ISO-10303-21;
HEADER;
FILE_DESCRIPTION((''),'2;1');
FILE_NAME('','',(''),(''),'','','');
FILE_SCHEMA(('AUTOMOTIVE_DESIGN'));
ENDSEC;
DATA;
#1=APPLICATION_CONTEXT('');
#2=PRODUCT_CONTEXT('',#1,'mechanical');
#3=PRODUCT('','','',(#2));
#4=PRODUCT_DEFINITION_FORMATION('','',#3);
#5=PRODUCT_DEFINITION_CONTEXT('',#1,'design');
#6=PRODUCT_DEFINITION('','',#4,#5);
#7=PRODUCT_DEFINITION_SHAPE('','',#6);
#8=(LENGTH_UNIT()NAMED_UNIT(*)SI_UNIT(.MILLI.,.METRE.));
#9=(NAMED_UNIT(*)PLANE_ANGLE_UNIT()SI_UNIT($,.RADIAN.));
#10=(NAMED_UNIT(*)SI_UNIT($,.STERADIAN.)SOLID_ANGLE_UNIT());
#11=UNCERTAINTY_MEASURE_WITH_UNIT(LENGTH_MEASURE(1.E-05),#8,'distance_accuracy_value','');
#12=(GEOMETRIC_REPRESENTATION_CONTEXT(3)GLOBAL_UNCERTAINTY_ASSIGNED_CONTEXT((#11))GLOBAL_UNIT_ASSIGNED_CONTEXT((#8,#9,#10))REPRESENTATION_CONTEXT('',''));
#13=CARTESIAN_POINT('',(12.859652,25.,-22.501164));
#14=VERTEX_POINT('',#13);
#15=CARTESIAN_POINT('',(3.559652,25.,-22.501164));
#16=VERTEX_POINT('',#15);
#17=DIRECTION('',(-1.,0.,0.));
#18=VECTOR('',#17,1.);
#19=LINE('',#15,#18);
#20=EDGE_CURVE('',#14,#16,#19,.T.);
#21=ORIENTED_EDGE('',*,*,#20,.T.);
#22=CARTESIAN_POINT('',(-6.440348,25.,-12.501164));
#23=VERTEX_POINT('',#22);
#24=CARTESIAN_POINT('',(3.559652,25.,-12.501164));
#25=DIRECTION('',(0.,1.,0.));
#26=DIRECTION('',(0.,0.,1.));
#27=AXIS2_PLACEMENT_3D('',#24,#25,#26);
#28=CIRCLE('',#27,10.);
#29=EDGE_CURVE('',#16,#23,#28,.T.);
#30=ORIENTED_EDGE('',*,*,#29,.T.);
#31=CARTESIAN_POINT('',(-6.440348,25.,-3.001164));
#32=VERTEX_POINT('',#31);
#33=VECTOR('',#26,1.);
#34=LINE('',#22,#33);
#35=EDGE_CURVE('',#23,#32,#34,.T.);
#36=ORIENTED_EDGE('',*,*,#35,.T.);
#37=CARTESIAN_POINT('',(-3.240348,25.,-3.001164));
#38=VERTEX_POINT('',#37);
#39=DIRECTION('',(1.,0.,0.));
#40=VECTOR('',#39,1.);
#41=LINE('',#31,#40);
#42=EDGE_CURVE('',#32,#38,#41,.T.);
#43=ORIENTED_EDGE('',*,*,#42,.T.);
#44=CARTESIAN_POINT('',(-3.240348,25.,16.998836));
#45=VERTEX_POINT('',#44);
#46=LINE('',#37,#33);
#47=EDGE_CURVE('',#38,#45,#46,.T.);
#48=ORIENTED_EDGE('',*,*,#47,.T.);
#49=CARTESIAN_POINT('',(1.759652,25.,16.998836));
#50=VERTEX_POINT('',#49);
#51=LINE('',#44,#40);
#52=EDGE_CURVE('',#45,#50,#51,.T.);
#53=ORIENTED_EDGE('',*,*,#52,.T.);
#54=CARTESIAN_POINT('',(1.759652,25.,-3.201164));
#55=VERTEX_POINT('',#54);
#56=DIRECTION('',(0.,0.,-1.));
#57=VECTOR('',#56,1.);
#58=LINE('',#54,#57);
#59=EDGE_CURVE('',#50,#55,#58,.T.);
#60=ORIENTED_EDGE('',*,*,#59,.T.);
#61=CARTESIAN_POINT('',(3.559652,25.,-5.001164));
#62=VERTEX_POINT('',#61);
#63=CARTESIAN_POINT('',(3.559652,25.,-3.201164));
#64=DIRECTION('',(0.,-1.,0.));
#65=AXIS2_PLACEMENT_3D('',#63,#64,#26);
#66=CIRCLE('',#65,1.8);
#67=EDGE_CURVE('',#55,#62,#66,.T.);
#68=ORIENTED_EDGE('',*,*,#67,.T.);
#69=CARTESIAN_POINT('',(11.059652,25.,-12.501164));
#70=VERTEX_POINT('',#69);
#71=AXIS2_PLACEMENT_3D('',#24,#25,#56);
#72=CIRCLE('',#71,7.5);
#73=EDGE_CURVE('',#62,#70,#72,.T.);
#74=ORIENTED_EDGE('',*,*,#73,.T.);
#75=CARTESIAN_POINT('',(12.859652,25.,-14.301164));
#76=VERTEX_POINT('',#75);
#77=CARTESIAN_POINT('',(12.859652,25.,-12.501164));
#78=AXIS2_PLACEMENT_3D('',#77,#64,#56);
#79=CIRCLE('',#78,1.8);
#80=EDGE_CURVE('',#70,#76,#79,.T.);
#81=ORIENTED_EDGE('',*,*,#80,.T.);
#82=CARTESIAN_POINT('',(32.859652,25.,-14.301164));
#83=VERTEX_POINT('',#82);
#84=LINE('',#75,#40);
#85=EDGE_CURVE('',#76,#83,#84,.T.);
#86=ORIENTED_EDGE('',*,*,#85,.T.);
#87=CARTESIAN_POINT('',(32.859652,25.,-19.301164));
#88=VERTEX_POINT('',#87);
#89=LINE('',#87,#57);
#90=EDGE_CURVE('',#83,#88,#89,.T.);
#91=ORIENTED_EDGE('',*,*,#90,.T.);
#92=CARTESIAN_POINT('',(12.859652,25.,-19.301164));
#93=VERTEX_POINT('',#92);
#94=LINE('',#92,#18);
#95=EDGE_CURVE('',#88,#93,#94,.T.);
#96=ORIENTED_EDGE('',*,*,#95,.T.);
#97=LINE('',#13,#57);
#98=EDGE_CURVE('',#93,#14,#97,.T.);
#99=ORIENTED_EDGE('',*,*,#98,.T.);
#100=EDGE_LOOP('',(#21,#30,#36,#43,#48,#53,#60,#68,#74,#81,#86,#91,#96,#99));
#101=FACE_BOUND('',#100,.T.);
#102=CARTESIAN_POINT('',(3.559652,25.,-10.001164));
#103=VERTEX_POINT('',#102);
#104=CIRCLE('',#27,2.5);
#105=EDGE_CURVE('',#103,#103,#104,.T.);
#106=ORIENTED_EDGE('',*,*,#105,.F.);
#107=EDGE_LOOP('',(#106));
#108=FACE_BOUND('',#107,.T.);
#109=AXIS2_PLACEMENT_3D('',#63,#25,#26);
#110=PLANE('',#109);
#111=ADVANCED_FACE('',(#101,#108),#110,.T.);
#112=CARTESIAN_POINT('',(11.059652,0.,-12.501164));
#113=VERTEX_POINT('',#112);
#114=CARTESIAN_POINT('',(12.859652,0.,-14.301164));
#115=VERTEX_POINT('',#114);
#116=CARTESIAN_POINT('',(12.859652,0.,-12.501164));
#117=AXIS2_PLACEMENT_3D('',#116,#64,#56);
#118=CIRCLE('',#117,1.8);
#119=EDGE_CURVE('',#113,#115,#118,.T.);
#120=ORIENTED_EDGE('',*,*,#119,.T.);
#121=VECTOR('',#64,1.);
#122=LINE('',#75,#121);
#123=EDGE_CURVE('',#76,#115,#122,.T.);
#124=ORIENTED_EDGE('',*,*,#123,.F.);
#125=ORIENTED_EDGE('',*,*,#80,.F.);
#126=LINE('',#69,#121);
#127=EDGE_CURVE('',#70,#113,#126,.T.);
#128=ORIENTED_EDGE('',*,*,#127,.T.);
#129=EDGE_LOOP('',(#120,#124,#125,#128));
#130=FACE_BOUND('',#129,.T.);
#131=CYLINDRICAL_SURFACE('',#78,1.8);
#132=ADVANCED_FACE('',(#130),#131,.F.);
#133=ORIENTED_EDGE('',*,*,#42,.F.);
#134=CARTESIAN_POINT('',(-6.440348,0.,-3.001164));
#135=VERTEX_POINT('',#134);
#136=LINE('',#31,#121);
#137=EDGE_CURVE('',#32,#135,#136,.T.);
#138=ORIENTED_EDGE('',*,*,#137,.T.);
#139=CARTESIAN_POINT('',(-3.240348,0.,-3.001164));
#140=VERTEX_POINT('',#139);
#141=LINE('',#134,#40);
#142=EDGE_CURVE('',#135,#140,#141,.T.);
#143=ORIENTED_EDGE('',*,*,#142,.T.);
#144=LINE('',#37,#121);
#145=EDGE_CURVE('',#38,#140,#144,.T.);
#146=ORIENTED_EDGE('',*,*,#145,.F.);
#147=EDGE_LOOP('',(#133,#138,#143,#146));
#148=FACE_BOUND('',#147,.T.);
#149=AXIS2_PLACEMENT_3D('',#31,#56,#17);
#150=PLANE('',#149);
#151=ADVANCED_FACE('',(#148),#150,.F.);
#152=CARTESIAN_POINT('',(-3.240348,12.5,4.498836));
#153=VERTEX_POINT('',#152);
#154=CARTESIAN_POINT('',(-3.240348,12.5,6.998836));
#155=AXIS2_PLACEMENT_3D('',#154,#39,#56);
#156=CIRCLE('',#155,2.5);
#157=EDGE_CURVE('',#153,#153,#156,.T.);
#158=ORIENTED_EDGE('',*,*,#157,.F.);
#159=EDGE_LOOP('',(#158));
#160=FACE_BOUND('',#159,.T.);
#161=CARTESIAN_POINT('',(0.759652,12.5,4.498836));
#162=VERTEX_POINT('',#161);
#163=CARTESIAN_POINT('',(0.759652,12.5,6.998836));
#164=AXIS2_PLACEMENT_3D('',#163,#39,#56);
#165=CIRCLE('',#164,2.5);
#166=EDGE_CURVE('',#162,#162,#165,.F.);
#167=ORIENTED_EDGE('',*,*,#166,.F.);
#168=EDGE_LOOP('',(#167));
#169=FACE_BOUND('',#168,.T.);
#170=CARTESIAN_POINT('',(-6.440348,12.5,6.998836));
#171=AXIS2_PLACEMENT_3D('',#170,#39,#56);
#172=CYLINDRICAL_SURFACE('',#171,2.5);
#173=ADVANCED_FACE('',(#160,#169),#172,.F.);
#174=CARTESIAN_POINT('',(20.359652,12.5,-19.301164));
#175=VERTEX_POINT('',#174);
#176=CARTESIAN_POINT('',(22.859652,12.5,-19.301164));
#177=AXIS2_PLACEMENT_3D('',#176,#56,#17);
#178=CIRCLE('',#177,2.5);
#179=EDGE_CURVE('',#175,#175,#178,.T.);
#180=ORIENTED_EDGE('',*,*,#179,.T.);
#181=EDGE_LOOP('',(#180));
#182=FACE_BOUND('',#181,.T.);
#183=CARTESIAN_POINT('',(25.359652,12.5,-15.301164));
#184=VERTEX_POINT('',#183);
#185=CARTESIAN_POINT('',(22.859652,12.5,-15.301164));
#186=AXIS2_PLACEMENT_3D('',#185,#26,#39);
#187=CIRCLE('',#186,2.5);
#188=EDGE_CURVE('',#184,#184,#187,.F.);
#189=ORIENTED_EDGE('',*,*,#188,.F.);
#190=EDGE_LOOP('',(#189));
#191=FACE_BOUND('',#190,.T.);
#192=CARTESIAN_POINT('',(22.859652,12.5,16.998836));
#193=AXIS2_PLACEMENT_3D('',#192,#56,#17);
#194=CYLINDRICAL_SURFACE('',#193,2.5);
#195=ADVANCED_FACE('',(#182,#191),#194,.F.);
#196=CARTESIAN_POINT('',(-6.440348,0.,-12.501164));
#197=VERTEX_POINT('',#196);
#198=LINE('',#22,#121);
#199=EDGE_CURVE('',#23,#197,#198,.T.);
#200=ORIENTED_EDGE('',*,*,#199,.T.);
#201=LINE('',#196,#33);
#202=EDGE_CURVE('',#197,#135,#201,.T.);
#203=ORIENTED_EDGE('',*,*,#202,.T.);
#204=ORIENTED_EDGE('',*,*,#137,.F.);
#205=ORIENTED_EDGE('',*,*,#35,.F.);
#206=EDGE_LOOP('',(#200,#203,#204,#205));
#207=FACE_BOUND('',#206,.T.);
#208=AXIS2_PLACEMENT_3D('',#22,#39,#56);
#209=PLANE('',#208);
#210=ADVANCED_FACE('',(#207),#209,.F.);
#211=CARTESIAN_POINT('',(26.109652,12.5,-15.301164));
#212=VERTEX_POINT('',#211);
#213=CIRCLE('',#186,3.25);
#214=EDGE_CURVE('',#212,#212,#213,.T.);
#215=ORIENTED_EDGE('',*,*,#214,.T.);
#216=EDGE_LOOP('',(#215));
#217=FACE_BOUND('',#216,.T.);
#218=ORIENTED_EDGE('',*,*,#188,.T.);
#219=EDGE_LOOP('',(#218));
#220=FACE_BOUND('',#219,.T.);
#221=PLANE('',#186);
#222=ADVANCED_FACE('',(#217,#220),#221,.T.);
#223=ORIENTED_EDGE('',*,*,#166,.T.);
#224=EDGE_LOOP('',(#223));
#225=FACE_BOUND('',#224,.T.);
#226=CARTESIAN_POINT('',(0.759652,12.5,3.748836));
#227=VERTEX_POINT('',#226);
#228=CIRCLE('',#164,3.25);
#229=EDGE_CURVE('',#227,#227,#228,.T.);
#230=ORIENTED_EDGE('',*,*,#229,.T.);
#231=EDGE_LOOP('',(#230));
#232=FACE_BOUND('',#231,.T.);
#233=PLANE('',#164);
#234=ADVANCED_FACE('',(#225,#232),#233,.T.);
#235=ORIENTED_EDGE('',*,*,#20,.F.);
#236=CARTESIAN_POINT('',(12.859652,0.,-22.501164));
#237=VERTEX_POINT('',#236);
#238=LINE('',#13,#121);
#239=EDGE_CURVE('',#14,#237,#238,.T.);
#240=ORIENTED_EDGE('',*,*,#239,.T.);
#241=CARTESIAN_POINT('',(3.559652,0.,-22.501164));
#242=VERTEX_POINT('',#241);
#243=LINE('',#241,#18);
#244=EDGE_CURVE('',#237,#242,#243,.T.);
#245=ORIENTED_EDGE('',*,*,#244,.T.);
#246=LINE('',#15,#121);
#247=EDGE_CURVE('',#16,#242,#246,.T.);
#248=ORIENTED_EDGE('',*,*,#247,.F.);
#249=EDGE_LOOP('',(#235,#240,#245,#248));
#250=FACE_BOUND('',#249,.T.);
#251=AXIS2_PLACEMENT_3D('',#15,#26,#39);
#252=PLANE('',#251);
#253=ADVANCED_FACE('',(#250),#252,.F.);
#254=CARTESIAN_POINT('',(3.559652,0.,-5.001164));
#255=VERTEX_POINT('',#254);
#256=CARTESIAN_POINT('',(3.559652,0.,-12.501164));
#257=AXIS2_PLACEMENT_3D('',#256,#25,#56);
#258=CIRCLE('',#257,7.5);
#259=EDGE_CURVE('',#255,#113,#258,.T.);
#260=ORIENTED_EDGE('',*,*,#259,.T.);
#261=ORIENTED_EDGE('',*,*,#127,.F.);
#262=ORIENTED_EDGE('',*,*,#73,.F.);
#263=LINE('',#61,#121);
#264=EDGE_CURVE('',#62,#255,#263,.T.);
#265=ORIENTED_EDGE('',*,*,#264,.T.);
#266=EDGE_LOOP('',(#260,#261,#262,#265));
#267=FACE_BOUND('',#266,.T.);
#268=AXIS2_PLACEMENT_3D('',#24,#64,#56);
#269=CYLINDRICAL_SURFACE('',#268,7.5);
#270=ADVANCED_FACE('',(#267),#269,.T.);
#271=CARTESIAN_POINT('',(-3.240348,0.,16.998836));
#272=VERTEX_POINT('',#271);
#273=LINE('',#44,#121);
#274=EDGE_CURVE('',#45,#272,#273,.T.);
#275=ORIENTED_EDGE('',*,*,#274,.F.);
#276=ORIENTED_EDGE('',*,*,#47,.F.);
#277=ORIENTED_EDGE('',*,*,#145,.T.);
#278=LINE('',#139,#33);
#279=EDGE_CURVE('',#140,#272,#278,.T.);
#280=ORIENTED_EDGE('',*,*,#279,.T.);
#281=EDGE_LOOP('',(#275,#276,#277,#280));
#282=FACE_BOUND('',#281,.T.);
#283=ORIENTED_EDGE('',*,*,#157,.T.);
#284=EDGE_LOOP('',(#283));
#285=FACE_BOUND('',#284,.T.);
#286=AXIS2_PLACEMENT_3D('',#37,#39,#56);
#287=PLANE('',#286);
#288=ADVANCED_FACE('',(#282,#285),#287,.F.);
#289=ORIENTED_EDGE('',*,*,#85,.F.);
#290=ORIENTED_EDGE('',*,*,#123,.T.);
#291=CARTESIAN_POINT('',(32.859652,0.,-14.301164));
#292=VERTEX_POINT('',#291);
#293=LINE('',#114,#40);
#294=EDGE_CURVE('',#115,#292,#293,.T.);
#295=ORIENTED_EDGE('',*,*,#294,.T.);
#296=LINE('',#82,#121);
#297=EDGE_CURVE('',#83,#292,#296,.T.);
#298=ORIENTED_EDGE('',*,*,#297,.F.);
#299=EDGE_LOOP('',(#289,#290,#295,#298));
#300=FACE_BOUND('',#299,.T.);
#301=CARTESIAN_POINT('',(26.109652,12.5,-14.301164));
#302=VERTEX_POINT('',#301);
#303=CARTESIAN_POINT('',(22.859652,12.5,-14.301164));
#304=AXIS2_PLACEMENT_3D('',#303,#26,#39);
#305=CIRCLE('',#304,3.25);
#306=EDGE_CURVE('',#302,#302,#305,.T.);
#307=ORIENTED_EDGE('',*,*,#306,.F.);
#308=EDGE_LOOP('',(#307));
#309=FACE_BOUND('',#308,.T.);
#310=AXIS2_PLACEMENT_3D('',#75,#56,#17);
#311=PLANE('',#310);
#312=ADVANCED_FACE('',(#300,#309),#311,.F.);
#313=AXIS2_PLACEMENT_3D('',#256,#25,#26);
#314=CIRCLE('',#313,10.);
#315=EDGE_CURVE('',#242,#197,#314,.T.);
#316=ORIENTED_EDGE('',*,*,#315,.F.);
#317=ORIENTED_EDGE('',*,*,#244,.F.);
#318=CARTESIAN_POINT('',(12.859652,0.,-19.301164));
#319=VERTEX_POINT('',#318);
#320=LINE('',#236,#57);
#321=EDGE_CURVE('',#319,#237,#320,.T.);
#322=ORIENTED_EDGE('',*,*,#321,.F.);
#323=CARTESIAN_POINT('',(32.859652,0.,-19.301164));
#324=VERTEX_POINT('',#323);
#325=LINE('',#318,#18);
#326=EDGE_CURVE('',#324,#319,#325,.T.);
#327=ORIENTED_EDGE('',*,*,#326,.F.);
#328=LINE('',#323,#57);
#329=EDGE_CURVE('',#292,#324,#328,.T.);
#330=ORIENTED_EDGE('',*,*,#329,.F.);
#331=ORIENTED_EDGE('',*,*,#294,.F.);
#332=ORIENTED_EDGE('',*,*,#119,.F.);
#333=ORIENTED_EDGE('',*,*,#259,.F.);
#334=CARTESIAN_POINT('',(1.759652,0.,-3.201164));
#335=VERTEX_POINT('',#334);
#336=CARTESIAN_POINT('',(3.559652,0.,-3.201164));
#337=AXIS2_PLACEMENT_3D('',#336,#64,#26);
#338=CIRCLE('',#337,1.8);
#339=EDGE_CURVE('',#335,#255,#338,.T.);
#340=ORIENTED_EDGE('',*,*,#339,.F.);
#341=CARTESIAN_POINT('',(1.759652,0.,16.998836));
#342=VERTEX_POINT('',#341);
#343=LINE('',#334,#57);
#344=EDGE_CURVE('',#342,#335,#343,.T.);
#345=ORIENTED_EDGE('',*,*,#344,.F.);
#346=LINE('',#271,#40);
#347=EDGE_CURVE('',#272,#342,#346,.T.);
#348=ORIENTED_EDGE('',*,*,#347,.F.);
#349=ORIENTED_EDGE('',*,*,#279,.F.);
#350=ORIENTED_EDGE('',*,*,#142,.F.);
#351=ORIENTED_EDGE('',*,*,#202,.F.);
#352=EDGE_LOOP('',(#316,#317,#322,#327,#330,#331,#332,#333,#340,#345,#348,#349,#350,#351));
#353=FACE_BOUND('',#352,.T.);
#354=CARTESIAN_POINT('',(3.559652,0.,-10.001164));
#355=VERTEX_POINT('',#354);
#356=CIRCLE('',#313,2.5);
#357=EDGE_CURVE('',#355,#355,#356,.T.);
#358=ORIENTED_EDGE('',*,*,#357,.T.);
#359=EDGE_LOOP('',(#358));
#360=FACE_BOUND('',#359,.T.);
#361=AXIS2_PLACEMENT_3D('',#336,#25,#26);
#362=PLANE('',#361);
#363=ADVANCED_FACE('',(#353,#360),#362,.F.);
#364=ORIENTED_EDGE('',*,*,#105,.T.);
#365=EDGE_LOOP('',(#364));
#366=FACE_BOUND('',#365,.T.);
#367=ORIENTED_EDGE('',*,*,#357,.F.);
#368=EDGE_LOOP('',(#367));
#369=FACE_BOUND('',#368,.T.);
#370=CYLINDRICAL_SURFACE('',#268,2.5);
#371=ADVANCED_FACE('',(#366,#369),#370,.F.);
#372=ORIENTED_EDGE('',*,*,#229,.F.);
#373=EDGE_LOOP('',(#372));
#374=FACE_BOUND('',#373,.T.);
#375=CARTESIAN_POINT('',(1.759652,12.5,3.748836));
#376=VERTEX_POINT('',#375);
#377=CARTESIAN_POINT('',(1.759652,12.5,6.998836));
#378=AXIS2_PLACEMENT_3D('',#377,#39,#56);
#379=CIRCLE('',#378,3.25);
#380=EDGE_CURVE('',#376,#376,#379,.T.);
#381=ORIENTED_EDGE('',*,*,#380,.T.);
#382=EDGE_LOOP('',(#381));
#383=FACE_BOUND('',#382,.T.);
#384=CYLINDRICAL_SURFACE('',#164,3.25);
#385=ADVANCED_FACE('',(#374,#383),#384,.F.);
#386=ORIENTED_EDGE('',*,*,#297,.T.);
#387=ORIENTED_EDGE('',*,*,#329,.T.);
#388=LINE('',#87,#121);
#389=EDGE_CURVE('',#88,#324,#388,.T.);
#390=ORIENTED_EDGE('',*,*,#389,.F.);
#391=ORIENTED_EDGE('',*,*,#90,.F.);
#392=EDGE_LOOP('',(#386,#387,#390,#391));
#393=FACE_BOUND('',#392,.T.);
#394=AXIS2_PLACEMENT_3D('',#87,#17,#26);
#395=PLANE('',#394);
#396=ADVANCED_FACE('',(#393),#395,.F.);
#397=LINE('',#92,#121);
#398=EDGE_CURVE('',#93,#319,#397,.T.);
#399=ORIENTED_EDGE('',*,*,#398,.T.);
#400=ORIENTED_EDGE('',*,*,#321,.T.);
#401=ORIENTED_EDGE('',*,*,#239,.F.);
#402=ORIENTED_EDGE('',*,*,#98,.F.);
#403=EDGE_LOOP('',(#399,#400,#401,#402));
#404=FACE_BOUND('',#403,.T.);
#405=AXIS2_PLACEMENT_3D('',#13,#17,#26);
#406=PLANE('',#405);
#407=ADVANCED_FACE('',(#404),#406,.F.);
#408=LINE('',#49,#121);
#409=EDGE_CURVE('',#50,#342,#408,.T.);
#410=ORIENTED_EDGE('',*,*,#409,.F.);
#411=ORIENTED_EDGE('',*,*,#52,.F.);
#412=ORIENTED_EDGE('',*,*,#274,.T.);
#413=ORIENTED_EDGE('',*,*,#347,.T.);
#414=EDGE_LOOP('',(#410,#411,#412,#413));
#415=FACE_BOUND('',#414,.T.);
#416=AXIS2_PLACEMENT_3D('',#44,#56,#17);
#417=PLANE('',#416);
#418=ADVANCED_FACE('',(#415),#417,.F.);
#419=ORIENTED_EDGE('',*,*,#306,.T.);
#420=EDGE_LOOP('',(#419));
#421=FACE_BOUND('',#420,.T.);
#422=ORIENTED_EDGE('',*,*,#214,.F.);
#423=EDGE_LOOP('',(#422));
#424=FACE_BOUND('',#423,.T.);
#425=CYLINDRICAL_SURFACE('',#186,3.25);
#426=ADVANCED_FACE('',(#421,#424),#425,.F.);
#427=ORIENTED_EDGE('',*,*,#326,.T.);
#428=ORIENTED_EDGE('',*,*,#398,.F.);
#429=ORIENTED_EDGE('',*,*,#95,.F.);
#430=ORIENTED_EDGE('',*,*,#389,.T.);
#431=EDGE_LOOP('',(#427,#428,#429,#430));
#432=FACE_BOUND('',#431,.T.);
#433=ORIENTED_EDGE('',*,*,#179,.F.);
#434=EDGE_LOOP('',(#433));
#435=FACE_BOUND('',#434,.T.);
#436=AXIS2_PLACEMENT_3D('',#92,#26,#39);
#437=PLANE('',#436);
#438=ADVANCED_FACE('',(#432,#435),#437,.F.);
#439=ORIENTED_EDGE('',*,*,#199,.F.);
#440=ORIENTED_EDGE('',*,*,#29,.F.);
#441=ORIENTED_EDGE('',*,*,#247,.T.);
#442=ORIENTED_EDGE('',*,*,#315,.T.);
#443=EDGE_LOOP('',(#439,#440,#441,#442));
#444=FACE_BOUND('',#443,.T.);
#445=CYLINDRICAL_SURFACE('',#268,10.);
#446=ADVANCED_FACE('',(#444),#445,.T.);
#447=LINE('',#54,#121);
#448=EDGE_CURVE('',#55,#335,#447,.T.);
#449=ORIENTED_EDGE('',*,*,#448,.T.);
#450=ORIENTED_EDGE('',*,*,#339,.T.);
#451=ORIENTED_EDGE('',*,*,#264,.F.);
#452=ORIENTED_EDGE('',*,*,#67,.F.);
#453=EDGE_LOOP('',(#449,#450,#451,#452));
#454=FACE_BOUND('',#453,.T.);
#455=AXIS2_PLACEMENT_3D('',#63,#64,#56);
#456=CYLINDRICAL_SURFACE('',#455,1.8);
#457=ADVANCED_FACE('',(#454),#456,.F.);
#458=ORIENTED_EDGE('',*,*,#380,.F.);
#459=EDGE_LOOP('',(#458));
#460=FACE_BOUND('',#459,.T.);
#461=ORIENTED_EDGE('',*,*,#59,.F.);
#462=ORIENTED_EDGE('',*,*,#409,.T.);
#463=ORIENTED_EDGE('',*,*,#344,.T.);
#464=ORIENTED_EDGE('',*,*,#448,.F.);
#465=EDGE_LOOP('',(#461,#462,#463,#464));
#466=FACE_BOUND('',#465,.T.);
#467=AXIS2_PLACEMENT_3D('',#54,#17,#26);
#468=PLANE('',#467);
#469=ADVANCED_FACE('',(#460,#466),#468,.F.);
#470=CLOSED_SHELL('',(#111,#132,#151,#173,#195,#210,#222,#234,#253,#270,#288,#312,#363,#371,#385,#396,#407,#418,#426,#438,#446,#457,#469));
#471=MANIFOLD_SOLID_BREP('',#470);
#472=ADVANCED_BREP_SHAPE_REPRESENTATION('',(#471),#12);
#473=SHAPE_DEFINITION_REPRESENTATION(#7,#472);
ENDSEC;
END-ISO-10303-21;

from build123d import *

# Parameters (mm, degrees)
SKETCH4_R               = 2.5
BOSS_EXTRUDE1_DEPTH     = 25
SKETCH5_R               = 2.5
CUT_EXTRUDE1_DEPTH      = 55.976783394
CUT_EXTRUDE3_DEPTH      = 46.809522816
CUT_EXTRUDE3_DEPTH_BACK = 46.809522816
SKETCH7_R               = 2.5
SKETCH8_R               = 3.25
CUT_EXTRUDE4_DEPTH      = 1
SKETCH6_R               = 3.25
CUT_EXTRUDE2_DEPTH      = 1


with BuildPart() as part:
    # Sketch4 → Boss-Extrude1 (new body)
    with BuildSketch(Plane(origin=(0, 0, 0), x_dir=(1, 0, 0), z_dir=(0, 1, 0))):
        with BuildLine():
            Line((12.859651739, 14.301163983), (32.859651739, 14.301163983))
            Line((32.859651739, 14.301163983), (32.859651739, 19.301163983))
            Line((32.859651739, 19.301163983), (12.859651739, 19.301163983))
            Line((12.859651739, 19.301163983), (12.859651739, 22.501163983))
            Line((12.859651739, 22.501163983), (3.559651739, 22.501163983))
            ThreePointArc((3.559651739, 22.501163983), (-3.511416073, 19.572231795), (-6.440348261, 12.501163983))
            Line((-6.440348261, 12.501163983), (-6.440348261, 3.001163983))
            Line((-6.440348261, 3.001163983), (-3.240348261, 3.001163983))
            Line((-3.240348261, 3.001163983), (-3.240348261, -16.998836017))
            Line((-3.240348261, -16.998836017), (1.759651739, -16.998836017))
            Line((1.759651739, -16.998836017), (1.759651739, 3.201163983))
            ThreePointArc((1.759651739, 3.201163983), (2.286859533, 4.473956189), (3.559651739, 5.001163983))
            ThreePointArc((3.559651739, 5.001163983), (8.862952598, 7.197863124), (11.059651739, 12.501163983))
            ThreePointArc((11.059651739, 12.501163983), (11.586859533, 13.773956189), (12.859651739, 14.301163983))
        make_face()
        with Locations(Location((3.559651739, 12.501163983, 0), (0, 0, 270))):
            Circle(SKETCH4_R, mode=Mode.SUBTRACT)
    extrude(amount=BOSS_EXTRUDE1_DEPTH)

    # Sketch5 → Cut-Extrude1 (cut, through all)
    with BuildSketch(Plane(origin=(0, 0, -19.301163983), x_dir=(-1, 0, 0), z_dir=(0, 0, -1))):
        with Locations((-22.859651739, 12.5)):
            Circle(SKETCH5_R)
    extrude(amount=-CUT_EXTRUDE1_DEPTH, mode=Mode.SUBTRACT)

    # Sketch7 → Cut-Extrude3 (cut, two sides: drawn at the far end of the back side and taken through both)
    with BuildSketch(Plane(origin=(1.759651739, 0, 0), x_dir=(0, 0, -1), z_dir=(1, 0, 0)).offset(-CUT_EXTRUDE3_DEPTH_BACK)):
        with Locations((-6.998836017, 12.5)):
            Circle(SKETCH7_R)
    extrude(amount=CUT_EXTRUDE3_DEPTH + CUT_EXTRUDE3_DEPTH_BACK, mode=Mode.SUBTRACT)

    # Sketch8 → Cut-Extrude4 (cut)
    with BuildSketch(Plane(origin=(1.759651739, 0, 0), x_dir=(0, 0, -1), z_dir=(1, 0, 0))):
        with Locations((-6.998836017, 12.5)):
            Circle(SKETCH8_R)
    extrude(amount=-CUT_EXTRUDE4_DEPTH, mode=Mode.SUBTRACT)

    # Sketch6 → Cut-Extrude2 (cut)
    with BuildSketch(Plane.XY.offset(-14.301163983)):
        with Locations((22.859651739, 12.5)):
            Circle(SKETCH6_R)
    extrude(amount=-CUT_EXTRUDE2_DEPTH, mode=Mode.SUBTRACT)


solid = part.part
